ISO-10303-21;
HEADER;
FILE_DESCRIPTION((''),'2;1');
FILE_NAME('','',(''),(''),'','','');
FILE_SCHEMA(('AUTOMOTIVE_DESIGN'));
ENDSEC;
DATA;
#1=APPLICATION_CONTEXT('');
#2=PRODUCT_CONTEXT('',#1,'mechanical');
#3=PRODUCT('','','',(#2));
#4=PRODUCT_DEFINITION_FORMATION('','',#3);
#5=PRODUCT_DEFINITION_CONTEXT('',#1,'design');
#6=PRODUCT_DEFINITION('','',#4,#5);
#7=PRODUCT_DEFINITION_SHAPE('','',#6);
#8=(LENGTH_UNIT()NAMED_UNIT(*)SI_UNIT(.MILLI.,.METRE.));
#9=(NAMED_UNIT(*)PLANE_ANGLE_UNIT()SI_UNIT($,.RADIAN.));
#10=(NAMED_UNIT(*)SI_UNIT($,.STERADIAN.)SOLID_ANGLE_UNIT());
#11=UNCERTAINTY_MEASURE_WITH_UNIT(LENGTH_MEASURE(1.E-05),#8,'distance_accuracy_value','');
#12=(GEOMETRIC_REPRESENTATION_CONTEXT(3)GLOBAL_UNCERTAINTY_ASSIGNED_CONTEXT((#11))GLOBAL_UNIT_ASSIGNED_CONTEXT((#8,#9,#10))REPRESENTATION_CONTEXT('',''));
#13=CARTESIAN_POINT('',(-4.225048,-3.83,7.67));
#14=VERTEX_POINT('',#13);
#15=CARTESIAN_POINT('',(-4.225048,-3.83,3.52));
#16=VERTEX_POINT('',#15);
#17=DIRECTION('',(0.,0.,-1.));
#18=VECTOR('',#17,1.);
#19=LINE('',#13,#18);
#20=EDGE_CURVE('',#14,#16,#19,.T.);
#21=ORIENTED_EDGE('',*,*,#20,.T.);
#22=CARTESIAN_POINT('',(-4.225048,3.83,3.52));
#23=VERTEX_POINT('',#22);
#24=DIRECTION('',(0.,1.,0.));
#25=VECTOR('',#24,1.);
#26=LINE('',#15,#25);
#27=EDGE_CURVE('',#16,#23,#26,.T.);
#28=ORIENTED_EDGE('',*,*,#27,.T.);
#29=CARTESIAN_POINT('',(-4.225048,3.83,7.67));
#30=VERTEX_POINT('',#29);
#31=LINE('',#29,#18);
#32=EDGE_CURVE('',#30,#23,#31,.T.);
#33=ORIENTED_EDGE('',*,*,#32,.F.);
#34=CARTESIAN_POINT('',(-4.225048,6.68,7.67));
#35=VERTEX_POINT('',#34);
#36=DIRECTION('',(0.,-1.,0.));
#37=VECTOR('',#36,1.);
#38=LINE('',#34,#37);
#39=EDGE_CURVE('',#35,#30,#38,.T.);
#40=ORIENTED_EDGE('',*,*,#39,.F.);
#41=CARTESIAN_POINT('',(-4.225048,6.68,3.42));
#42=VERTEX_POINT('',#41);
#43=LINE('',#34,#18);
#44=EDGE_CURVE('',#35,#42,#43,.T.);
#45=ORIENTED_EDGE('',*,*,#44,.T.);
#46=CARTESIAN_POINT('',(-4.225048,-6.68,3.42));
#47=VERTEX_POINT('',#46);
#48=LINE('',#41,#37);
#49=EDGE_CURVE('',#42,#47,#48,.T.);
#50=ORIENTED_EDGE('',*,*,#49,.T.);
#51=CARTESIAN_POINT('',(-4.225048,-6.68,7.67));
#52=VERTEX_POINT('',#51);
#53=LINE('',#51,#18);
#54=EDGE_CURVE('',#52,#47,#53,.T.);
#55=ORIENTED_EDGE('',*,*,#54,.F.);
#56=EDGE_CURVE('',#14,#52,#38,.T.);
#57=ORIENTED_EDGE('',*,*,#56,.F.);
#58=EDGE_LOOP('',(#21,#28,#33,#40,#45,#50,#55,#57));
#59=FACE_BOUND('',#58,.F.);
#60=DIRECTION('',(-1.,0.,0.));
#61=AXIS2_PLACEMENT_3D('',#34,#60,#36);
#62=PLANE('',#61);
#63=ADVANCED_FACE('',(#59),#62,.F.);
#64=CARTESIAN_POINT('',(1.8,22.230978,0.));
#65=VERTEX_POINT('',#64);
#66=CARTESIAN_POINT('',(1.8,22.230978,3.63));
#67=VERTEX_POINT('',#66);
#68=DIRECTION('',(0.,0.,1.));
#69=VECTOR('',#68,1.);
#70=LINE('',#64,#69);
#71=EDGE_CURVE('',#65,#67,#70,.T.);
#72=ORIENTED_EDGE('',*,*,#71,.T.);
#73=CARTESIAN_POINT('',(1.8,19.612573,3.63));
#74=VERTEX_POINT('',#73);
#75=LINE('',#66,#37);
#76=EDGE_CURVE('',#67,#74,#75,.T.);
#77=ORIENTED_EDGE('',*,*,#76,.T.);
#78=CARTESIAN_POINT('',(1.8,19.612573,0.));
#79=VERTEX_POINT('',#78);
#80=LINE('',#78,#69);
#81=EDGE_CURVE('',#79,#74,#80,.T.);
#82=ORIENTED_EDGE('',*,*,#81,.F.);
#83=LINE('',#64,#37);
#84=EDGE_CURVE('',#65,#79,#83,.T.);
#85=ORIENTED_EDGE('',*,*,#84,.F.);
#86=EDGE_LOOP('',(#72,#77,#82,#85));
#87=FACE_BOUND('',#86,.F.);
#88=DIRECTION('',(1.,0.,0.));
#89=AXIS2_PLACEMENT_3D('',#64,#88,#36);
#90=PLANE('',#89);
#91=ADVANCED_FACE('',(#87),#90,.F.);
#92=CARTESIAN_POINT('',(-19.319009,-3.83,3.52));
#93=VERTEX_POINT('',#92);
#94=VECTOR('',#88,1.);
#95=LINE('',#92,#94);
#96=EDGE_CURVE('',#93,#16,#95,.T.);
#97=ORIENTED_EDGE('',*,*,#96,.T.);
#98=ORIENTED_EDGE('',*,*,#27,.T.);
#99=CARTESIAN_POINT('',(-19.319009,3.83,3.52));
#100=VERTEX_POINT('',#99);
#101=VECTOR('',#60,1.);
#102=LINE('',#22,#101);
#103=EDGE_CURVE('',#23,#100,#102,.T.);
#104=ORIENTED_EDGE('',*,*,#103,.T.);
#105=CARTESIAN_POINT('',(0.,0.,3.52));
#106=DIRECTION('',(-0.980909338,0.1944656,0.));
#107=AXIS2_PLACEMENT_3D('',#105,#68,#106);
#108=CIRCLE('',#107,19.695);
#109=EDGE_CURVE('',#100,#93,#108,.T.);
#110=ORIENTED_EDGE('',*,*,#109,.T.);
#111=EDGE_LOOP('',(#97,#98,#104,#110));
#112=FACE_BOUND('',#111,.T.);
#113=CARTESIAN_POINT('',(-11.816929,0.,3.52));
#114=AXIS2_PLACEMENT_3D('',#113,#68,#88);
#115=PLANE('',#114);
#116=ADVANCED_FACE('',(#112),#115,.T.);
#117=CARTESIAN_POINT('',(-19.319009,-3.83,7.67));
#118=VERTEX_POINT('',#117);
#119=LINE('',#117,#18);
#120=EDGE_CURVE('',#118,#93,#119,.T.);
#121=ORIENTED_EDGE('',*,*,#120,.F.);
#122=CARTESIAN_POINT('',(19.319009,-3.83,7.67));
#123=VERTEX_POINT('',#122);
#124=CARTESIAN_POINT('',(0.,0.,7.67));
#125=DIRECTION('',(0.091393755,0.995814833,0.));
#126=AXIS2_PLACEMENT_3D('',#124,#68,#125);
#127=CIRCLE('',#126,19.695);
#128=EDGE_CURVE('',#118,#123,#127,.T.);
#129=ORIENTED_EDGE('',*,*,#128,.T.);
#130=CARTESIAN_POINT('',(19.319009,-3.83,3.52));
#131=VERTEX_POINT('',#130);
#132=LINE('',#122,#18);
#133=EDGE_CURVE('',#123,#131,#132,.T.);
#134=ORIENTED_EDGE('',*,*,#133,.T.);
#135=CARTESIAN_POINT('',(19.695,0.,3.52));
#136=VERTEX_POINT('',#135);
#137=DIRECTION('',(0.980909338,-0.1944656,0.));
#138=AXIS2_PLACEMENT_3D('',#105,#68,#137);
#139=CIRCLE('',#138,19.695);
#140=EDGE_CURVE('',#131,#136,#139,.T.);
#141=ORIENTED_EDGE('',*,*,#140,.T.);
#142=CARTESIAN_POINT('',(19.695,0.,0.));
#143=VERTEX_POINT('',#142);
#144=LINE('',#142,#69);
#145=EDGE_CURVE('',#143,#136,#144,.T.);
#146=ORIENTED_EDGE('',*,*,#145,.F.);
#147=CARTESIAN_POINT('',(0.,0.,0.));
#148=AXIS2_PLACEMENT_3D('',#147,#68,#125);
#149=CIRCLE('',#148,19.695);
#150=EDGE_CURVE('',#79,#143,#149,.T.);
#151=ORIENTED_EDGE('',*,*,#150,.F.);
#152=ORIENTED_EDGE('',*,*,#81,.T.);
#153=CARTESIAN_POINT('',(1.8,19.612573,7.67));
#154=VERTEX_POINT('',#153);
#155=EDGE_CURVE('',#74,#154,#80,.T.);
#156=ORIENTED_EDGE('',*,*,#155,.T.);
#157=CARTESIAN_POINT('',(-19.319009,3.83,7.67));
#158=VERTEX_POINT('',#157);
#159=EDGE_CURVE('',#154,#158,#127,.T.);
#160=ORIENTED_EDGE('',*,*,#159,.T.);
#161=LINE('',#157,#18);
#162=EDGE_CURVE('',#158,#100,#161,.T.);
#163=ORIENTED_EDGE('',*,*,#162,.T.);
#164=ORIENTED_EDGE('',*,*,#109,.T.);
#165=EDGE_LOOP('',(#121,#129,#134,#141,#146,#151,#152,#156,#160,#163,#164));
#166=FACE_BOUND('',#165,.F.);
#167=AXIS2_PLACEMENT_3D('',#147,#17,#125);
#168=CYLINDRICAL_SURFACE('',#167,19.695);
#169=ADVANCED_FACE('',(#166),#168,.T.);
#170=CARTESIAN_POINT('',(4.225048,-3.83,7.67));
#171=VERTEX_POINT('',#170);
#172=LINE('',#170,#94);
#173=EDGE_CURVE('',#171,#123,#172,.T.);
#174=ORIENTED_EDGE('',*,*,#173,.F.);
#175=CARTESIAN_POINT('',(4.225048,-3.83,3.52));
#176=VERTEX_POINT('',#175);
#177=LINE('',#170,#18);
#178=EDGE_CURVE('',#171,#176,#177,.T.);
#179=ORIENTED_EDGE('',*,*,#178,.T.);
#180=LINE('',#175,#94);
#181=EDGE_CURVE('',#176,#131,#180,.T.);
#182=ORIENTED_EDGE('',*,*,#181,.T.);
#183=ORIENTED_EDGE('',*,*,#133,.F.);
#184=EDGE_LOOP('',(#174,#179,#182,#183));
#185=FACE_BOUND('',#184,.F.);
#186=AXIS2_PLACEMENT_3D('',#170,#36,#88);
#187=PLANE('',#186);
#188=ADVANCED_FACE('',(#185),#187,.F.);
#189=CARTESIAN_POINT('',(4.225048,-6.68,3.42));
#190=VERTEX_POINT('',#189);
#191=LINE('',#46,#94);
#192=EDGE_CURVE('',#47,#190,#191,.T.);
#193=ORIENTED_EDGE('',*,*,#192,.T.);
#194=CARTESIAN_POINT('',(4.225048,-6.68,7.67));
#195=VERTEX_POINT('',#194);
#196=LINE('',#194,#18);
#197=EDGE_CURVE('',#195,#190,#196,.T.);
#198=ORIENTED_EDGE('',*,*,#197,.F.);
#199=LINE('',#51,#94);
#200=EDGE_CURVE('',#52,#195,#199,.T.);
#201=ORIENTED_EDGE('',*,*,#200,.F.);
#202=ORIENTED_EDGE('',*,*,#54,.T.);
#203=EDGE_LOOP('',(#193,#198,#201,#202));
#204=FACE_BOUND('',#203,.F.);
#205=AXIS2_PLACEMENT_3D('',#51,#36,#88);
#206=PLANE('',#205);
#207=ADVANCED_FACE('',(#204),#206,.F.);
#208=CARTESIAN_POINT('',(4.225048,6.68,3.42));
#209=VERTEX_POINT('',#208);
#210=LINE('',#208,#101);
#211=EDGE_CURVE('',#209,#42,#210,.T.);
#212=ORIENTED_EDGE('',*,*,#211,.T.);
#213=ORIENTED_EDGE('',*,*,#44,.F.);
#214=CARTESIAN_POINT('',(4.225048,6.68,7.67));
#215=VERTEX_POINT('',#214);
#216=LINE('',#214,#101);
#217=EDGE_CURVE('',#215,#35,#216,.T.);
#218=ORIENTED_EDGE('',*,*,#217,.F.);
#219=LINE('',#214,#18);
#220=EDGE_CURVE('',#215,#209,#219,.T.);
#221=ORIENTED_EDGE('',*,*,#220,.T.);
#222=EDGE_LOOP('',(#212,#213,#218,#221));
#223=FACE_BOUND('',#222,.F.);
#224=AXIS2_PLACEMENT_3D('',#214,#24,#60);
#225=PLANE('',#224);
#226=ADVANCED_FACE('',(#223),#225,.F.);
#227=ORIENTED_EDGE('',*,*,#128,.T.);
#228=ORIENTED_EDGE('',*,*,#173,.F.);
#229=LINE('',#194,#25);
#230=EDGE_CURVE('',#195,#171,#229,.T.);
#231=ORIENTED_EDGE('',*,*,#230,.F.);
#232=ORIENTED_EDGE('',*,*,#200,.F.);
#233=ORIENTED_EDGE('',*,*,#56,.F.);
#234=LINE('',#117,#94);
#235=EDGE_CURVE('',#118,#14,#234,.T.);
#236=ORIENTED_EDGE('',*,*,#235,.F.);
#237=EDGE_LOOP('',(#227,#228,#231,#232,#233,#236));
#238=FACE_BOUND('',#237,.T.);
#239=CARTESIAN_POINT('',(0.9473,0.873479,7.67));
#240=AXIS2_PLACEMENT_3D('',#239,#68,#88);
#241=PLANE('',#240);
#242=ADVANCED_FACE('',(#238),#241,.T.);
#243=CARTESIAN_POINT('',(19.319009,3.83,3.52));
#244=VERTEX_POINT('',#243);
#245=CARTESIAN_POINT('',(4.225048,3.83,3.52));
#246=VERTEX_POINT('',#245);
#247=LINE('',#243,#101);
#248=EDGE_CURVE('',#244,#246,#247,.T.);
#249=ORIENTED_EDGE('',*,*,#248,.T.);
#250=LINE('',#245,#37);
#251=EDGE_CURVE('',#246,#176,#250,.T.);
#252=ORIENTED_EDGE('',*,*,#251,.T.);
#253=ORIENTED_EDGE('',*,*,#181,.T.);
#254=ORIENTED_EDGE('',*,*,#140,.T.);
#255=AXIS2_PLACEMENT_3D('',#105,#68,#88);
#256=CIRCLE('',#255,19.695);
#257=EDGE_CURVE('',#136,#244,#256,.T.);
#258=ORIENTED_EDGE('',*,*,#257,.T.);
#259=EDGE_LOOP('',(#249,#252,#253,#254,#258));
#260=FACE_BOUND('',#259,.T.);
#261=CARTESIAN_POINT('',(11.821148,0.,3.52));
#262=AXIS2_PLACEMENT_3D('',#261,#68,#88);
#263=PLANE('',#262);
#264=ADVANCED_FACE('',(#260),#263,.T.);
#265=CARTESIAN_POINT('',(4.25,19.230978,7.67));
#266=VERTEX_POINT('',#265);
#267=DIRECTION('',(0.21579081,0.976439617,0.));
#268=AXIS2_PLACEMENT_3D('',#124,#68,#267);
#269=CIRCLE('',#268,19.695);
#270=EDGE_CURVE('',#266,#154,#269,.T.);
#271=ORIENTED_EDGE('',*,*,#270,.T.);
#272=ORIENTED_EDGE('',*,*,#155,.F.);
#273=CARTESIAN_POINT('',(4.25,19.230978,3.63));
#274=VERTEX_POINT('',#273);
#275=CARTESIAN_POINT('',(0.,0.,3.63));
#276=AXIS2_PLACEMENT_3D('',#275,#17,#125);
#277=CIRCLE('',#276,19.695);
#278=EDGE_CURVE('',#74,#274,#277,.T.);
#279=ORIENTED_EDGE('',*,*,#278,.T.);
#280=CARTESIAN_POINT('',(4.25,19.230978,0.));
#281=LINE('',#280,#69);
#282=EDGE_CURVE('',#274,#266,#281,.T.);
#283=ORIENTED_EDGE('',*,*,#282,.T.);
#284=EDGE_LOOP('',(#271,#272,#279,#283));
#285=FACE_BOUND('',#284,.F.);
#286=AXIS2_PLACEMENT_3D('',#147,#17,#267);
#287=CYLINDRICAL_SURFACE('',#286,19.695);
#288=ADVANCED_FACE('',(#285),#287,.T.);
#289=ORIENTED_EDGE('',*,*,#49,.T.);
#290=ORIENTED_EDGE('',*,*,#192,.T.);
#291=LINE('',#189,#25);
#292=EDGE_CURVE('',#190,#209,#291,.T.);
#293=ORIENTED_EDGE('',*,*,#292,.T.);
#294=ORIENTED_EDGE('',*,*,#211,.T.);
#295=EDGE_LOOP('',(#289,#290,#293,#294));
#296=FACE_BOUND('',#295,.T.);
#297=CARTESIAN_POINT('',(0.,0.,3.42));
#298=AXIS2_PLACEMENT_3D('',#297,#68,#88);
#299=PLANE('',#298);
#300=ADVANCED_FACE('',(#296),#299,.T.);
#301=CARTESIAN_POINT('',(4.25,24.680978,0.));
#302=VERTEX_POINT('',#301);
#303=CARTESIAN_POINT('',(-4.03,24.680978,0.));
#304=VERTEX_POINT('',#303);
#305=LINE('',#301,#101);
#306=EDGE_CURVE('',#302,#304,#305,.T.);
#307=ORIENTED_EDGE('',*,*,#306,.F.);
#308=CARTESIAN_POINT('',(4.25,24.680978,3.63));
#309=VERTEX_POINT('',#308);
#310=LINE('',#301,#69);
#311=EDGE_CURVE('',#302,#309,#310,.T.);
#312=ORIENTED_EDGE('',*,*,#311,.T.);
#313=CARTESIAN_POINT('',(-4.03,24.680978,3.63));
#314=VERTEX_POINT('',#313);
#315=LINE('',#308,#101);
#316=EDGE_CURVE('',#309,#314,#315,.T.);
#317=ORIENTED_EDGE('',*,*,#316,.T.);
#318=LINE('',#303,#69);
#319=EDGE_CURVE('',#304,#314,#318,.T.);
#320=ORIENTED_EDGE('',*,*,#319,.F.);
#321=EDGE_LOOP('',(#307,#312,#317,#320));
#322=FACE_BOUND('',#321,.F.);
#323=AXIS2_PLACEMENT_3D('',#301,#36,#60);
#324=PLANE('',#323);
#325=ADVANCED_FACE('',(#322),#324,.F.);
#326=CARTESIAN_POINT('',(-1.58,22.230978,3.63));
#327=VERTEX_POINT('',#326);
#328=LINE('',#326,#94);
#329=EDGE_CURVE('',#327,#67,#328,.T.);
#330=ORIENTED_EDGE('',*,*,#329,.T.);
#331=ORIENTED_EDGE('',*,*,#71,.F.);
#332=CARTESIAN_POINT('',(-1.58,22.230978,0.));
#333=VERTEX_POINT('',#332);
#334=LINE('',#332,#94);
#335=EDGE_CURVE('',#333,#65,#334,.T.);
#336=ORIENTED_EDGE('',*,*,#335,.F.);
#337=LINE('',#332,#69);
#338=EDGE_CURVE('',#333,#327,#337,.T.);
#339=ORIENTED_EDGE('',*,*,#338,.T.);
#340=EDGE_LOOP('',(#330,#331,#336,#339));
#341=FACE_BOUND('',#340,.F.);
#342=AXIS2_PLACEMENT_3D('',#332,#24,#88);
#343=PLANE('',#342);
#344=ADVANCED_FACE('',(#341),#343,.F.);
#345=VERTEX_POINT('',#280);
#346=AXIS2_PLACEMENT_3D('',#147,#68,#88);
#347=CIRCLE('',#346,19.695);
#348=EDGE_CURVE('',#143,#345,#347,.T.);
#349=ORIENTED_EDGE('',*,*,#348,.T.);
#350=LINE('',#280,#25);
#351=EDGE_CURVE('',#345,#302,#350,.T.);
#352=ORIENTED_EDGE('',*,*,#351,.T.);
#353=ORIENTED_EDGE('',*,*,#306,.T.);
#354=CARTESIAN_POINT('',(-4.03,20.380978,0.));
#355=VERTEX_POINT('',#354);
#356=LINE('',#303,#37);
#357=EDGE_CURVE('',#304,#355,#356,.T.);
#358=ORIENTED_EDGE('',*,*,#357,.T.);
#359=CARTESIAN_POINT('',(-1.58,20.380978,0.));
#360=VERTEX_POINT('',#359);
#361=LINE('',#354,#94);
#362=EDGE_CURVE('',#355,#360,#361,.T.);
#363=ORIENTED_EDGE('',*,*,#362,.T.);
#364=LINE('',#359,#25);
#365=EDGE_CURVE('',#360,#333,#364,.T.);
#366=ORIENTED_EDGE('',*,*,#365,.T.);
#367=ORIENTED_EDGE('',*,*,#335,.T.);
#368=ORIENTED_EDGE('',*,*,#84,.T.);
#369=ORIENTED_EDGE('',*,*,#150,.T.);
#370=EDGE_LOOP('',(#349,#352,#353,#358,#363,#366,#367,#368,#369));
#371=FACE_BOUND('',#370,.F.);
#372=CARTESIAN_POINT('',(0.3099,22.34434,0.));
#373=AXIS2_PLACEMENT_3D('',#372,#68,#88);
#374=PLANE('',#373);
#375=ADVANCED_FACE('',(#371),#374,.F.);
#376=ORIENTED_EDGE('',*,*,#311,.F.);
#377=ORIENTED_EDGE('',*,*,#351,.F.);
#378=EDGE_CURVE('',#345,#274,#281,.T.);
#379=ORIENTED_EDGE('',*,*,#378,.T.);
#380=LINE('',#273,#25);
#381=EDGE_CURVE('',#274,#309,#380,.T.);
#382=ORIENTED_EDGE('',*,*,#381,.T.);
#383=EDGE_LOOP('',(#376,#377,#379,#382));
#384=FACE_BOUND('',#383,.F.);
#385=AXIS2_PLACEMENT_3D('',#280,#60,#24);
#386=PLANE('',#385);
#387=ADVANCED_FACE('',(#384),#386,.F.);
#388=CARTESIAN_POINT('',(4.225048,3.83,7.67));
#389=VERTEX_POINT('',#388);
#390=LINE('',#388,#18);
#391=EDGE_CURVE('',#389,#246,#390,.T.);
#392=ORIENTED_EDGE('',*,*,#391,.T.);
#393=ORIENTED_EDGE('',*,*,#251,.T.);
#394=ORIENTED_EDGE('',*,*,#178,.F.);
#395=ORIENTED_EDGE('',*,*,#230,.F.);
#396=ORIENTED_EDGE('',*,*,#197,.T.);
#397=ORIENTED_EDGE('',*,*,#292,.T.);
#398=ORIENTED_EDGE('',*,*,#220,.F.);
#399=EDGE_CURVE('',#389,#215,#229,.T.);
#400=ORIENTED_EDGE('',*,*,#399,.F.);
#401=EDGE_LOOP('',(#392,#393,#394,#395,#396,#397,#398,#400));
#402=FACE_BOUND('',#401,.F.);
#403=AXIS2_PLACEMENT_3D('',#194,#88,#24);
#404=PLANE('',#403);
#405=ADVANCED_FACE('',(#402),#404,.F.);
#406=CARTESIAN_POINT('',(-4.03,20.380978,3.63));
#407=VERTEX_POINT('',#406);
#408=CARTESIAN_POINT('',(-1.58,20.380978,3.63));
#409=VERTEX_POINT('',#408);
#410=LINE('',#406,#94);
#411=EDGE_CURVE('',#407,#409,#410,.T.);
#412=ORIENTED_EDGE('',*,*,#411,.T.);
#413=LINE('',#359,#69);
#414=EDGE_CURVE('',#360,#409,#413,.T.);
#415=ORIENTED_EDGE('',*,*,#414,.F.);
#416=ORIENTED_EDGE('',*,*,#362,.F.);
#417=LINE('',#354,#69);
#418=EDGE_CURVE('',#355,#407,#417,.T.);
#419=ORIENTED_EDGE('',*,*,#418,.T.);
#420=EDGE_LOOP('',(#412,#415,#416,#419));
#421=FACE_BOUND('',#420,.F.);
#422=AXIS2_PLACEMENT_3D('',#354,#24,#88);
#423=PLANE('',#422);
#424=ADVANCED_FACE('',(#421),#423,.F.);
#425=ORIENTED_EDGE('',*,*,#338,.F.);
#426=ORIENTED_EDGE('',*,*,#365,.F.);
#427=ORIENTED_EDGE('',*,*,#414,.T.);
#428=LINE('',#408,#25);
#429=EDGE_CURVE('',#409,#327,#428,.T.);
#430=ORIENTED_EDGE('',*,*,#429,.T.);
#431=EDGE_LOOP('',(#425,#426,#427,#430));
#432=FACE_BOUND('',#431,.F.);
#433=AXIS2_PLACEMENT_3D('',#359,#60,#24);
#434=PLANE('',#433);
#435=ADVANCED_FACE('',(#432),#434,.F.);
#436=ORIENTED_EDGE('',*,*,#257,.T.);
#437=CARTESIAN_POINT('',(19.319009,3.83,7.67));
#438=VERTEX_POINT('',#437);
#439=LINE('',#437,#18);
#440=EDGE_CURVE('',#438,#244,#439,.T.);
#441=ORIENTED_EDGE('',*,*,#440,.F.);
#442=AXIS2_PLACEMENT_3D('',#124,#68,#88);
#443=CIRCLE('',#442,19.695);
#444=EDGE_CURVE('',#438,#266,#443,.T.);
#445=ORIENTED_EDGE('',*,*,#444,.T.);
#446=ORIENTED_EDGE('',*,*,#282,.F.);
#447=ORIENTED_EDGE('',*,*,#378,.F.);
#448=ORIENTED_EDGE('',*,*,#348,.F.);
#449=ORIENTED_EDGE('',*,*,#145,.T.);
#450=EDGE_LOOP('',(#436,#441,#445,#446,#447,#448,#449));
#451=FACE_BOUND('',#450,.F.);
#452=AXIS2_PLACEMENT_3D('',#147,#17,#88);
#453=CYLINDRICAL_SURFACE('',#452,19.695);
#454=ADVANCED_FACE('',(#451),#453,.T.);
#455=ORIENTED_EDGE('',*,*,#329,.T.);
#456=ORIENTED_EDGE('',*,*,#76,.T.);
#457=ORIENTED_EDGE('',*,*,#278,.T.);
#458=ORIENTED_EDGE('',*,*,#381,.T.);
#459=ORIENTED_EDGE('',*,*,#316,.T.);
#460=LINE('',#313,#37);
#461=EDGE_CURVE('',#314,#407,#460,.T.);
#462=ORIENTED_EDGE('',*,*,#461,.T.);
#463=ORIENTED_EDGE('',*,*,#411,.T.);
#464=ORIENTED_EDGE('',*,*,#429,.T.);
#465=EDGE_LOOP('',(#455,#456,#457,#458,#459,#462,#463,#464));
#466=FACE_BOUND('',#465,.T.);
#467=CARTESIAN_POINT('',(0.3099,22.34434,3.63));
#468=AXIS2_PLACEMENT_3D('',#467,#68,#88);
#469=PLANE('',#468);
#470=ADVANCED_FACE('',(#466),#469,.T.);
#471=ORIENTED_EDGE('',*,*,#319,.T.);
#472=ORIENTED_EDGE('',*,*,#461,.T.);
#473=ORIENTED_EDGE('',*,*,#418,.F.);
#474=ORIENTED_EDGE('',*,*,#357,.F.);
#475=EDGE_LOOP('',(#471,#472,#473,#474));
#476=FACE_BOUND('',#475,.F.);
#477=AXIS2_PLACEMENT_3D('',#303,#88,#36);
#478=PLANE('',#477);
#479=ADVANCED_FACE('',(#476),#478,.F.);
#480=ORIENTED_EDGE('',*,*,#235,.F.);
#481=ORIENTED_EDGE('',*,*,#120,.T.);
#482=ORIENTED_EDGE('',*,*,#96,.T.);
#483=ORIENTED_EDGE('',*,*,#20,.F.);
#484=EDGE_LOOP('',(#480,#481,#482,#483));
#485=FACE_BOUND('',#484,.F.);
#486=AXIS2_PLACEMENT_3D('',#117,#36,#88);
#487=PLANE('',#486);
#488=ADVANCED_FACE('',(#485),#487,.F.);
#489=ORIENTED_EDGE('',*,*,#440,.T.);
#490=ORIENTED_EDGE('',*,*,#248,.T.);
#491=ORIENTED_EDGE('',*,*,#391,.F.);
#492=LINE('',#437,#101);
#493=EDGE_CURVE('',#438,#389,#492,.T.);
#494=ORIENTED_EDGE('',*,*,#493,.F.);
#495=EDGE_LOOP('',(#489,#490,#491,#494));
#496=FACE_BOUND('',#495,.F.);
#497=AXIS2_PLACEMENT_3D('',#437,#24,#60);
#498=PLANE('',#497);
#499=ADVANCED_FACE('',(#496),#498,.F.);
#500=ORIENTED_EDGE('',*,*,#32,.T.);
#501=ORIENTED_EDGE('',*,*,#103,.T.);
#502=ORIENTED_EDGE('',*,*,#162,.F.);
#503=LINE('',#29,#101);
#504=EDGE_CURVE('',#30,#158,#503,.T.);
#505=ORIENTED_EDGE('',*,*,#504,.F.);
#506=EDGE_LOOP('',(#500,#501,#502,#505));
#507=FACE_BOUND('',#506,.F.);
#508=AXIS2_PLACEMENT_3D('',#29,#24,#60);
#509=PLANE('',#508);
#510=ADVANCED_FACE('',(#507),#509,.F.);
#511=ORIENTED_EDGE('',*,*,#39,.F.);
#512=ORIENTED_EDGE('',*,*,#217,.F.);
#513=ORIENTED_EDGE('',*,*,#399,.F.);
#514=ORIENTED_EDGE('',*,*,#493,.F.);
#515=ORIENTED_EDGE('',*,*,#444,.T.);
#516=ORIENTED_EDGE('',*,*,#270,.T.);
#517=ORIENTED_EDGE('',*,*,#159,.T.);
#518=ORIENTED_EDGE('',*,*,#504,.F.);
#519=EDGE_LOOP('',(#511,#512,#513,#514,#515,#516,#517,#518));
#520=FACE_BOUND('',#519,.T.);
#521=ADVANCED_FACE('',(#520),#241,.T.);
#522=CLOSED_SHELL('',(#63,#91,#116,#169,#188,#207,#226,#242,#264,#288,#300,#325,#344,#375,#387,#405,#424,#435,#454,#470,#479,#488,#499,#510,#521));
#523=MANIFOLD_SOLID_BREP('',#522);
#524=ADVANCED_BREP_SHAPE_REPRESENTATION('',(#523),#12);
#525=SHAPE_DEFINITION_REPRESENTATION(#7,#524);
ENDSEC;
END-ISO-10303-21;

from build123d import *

# Parameters (mm, degrees)
F1_DEPTH = 7.67
F2_DEPTH = 3.63
F4_DEPTH = 4.25
F5_DEPTH = 4.15


with BuildPart() as f1:
    # F0 (on Top) → F1 (new body)
    with BuildSketch(Plane.XY):
        with BuildLine():
            ThreePointArc((1.8, 19.6125731356), (-14.5489522819, -13.27482627), (19.695, 0))
            ThreePointArc((19.695, 0), (15.3557281657, 12.3326654662), (4.25, 19.2309782642))
            ThreePointArc((4.25, 19.2309782642), (3.0310111616, 19.4603698921), (1.8, 19.6125731356))
        make_face()
    extrude(amount=F1_DEPTH)

    # F0 (on Top) → F2 (join)
    with BuildSketch(Plane.XY):
        with BuildLine():
            ThreePointArc((1.8, 19.6125731356), (3.0310111616, 19.4603698921), (4.25, 19.2309782642))
            Line((4.25, 19.2309782642), (4.25, 24.6809782642))
            Line((4.25, 24.6809782642), (-4.03, 24.6809782642))
            Line((-4.03, 24.6809782642), (-4.03, 20.3809782642))
            Line((-4.03, 20.3809782642), (-1.58, 20.3809782642))
            Line((-1.58, 20.3809782642), (-1.58, 22.2309782642))
            Line((-1.58, 22.2309782642), (1.8, 22.2309782642))
            Line((1.8, 22.2309782642), (1.8, 19.6125731356))
        make_face()
    extrude(amount=F2_DEPTH)

    # F3 (on face) → F4 (cut)
    with BuildSketch(Plane.XY.offset(7.67)):
        Polygon((4.2250477709, 3.83), (4.2250477709, 6.68), (-4.2250477709, 6.68), (-4.2250477709, 3.83), (-4.2250477709, -3.83), (-4.2250477709, -6.68), (4.2250477709, -6.68), (4.2250477709, -3.83), align=None)
    extrude(amount=-F4_DEPTH, mode=Mode.SUBTRACT)

    # F3 (on face) → F5 (cut)
    with BuildSketch(Plane.XY.offset(7.67)):
        with BuildLine():
            Line((-4.2250477709, -3.83), (-4.2250477709, 3.83))
            Line((-4.2250477709, 3.83), (-19.3190094208, 3.83))
            ThreePointArc((-19.3190094208, 3.83), (-19.695, 0), (-19.3190094208, -3.83))
            Line((-19.3190094208, -3.83), (-4.2250477709, -3.83))
        make_face()
        with BuildLine():
            Line((19.3190094208, 3.83), (4.2250477709, 3.83))
            Line((4.2250477709, 3.83), (4.2250477709, -3.83))
            Line((4.2250477709, -3.83), (19.3190094208, -3.83))
            ThreePointArc((19.3190094208, -3.83), (19.6007769686, -1.9242056098), (19.695, 0))
            ThreePointArc((19.695, 0), (19.6007769686, 1.9242056098), (19.3190094208, 3.83))
        make_face()
    extrude(amount=-F5_DEPTH, mode=Mode.SUBTRACT)


solid = f1.part
